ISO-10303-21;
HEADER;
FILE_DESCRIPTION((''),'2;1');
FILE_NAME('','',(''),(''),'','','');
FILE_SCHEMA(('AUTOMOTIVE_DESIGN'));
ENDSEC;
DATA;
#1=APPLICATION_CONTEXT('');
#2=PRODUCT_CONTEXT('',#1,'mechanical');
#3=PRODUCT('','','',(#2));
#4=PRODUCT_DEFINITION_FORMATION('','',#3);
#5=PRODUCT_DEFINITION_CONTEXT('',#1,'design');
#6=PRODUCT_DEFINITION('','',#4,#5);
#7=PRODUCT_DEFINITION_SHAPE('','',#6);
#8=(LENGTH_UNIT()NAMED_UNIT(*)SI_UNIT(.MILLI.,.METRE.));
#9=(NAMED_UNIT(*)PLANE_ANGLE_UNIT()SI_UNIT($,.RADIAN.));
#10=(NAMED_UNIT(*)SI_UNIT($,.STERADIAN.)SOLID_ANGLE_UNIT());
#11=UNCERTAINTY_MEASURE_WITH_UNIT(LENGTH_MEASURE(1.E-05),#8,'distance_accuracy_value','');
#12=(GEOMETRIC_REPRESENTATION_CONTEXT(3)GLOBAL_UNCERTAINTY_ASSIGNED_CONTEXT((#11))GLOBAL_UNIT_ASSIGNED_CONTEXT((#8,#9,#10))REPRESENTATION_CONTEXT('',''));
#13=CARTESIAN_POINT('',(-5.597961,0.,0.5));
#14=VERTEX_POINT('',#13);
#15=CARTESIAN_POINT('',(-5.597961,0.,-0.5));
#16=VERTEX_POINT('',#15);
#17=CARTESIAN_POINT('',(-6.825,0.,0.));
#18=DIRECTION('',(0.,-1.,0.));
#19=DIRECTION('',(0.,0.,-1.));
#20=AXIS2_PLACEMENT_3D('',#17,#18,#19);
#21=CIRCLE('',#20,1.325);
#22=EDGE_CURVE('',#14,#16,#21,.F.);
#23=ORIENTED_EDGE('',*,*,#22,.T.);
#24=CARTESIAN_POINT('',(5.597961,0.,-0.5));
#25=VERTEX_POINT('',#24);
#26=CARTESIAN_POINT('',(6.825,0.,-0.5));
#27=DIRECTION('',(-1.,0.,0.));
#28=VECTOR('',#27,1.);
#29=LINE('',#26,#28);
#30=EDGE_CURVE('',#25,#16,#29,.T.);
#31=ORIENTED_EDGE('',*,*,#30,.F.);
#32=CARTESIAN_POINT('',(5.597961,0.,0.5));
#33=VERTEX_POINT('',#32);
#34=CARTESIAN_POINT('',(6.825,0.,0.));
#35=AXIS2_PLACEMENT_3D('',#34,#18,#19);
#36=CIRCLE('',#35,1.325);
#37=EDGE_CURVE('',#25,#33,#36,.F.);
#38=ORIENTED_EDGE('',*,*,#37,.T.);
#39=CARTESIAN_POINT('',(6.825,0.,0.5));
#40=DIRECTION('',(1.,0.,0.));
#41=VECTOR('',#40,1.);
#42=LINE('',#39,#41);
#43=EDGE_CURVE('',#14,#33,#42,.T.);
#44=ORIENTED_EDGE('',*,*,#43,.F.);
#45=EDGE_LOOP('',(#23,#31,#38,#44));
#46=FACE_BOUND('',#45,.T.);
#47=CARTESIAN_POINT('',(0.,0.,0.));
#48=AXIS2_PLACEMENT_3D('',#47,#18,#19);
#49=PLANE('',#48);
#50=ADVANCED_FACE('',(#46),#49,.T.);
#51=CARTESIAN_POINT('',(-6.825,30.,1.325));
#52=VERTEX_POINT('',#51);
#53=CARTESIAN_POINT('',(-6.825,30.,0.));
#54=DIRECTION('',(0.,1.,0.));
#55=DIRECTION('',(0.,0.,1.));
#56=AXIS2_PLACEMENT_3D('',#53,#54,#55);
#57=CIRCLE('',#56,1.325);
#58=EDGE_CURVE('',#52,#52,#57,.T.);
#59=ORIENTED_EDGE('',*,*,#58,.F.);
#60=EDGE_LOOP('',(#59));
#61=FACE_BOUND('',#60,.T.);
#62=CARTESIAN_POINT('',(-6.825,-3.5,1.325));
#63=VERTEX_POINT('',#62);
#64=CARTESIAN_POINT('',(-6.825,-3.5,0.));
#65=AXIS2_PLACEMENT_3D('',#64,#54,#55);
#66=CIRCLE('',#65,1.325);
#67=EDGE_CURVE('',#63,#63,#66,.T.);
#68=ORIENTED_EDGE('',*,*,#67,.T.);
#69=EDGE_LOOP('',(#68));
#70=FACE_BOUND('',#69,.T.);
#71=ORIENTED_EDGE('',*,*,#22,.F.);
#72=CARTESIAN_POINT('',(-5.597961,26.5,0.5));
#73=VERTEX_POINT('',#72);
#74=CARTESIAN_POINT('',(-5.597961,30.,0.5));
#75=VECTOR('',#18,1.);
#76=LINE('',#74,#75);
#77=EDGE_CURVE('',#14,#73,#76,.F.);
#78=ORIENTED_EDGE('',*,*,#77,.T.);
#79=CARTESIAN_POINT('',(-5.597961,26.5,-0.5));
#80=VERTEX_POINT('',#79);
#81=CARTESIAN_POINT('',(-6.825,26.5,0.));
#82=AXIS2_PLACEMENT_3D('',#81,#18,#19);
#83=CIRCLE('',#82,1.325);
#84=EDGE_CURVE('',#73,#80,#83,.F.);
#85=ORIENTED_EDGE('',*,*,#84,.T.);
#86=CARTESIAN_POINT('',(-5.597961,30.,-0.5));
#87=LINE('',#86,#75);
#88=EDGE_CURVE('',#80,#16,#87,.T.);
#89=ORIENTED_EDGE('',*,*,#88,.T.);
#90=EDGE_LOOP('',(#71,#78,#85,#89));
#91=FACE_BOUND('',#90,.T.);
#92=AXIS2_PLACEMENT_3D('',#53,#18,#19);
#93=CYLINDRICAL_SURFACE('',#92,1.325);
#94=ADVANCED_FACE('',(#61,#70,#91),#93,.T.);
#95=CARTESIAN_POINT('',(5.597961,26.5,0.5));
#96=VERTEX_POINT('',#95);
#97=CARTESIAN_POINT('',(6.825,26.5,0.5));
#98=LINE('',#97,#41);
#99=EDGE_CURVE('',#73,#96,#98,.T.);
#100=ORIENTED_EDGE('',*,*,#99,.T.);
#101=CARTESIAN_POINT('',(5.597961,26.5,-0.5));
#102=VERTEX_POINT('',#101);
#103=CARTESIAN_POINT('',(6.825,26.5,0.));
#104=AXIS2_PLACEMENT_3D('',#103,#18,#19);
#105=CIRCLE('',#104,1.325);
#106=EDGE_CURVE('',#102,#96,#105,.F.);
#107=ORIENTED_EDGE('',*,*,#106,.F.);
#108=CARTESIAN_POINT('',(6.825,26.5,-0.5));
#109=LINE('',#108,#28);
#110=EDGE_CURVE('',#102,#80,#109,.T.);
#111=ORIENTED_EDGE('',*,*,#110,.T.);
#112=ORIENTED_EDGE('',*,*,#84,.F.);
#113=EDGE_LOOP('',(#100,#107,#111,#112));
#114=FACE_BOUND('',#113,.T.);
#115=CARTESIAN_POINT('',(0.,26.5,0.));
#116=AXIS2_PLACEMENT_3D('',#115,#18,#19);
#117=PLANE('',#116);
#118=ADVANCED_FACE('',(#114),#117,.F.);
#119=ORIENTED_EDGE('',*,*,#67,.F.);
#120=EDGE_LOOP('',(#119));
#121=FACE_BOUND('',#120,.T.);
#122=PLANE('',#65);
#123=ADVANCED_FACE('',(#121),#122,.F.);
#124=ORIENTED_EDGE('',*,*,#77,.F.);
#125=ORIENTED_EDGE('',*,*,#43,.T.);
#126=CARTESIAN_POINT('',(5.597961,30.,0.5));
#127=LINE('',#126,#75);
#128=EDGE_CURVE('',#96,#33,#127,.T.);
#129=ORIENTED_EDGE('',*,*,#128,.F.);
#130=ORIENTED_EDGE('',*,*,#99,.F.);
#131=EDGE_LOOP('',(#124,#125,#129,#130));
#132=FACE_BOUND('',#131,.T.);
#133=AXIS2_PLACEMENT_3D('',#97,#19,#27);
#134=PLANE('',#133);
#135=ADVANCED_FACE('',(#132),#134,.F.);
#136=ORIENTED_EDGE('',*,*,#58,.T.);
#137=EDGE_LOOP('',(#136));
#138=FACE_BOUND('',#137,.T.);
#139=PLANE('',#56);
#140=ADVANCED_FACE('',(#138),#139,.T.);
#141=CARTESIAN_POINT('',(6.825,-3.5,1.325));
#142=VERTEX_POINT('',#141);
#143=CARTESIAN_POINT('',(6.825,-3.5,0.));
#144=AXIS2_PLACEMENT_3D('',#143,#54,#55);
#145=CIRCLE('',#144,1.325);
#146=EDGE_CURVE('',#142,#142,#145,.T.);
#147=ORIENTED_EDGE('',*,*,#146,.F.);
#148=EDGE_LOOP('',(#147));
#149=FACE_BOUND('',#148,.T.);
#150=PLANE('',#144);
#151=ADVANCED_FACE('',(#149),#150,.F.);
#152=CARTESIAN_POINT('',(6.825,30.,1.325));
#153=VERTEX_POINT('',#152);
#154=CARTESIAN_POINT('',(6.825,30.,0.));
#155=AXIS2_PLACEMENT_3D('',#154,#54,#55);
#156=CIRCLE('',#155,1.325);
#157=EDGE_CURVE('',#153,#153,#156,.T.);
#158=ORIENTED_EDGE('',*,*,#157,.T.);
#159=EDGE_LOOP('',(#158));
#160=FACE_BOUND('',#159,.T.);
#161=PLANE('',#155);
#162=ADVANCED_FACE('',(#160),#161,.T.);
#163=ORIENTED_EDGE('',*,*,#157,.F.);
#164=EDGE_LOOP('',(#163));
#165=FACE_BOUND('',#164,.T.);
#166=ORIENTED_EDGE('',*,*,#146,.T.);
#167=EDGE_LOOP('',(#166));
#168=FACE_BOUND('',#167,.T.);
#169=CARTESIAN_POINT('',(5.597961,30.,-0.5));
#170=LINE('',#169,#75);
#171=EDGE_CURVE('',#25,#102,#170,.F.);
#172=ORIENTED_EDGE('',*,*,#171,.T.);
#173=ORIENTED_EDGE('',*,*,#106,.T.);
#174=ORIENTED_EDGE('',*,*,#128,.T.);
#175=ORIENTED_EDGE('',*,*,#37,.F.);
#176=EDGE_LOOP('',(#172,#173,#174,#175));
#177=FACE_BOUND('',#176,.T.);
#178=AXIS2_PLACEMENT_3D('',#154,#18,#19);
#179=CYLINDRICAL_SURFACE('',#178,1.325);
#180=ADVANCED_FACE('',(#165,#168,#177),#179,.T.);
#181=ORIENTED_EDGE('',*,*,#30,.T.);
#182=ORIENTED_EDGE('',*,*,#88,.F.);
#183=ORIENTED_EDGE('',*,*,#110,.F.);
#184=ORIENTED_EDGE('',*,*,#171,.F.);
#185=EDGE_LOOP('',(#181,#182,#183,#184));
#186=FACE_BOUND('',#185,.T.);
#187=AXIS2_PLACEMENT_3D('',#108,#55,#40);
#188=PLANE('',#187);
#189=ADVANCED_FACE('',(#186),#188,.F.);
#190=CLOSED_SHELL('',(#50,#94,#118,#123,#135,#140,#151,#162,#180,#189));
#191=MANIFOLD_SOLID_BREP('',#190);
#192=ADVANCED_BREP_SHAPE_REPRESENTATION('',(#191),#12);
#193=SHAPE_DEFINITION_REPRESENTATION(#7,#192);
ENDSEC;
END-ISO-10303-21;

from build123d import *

# Parameters (mm, degrees)
SKETCH1_W           = 13.65
SKETCH1_H           = 1
BOSS_EXTRUDE1_DEPTH = 26.5
SKETCH2_R           = 1.325
BOSS_EXTRUDE2_DEPTH = 16.75


with BuildPart() as part:
    # Sketch1 → Boss-Extrude1 (new body)
    with BuildSketch(Plane(origin=(0, 0, 0), x_dir=(1, 0, 0), z_dir=(0, 1, 0))):
        Rectangle(SKETCH1_W, SKETCH1_H)
    extrude(amount=BOSS_EXTRUDE1_DEPTH)

    # Sketch2 → Boss-Extrude2 (add, symmetric)
    with BuildSketch(Plane(origin=(0, 13.25, 0), x_dir=(1, 0, 0), z_dir=(0, 1, 0))):
        with Locations(Location((-6.825, 0, 0), (0, 0, 270))):
            Circle(SKETCH2_R)
        with Locations(Location((6.825, 0, 0), (0, 0, 270))):
            Circle(SKETCH2_R)
    extrude(amount=BOSS_EXTRUDE2_DEPTH, both=True)


solid = part.part
